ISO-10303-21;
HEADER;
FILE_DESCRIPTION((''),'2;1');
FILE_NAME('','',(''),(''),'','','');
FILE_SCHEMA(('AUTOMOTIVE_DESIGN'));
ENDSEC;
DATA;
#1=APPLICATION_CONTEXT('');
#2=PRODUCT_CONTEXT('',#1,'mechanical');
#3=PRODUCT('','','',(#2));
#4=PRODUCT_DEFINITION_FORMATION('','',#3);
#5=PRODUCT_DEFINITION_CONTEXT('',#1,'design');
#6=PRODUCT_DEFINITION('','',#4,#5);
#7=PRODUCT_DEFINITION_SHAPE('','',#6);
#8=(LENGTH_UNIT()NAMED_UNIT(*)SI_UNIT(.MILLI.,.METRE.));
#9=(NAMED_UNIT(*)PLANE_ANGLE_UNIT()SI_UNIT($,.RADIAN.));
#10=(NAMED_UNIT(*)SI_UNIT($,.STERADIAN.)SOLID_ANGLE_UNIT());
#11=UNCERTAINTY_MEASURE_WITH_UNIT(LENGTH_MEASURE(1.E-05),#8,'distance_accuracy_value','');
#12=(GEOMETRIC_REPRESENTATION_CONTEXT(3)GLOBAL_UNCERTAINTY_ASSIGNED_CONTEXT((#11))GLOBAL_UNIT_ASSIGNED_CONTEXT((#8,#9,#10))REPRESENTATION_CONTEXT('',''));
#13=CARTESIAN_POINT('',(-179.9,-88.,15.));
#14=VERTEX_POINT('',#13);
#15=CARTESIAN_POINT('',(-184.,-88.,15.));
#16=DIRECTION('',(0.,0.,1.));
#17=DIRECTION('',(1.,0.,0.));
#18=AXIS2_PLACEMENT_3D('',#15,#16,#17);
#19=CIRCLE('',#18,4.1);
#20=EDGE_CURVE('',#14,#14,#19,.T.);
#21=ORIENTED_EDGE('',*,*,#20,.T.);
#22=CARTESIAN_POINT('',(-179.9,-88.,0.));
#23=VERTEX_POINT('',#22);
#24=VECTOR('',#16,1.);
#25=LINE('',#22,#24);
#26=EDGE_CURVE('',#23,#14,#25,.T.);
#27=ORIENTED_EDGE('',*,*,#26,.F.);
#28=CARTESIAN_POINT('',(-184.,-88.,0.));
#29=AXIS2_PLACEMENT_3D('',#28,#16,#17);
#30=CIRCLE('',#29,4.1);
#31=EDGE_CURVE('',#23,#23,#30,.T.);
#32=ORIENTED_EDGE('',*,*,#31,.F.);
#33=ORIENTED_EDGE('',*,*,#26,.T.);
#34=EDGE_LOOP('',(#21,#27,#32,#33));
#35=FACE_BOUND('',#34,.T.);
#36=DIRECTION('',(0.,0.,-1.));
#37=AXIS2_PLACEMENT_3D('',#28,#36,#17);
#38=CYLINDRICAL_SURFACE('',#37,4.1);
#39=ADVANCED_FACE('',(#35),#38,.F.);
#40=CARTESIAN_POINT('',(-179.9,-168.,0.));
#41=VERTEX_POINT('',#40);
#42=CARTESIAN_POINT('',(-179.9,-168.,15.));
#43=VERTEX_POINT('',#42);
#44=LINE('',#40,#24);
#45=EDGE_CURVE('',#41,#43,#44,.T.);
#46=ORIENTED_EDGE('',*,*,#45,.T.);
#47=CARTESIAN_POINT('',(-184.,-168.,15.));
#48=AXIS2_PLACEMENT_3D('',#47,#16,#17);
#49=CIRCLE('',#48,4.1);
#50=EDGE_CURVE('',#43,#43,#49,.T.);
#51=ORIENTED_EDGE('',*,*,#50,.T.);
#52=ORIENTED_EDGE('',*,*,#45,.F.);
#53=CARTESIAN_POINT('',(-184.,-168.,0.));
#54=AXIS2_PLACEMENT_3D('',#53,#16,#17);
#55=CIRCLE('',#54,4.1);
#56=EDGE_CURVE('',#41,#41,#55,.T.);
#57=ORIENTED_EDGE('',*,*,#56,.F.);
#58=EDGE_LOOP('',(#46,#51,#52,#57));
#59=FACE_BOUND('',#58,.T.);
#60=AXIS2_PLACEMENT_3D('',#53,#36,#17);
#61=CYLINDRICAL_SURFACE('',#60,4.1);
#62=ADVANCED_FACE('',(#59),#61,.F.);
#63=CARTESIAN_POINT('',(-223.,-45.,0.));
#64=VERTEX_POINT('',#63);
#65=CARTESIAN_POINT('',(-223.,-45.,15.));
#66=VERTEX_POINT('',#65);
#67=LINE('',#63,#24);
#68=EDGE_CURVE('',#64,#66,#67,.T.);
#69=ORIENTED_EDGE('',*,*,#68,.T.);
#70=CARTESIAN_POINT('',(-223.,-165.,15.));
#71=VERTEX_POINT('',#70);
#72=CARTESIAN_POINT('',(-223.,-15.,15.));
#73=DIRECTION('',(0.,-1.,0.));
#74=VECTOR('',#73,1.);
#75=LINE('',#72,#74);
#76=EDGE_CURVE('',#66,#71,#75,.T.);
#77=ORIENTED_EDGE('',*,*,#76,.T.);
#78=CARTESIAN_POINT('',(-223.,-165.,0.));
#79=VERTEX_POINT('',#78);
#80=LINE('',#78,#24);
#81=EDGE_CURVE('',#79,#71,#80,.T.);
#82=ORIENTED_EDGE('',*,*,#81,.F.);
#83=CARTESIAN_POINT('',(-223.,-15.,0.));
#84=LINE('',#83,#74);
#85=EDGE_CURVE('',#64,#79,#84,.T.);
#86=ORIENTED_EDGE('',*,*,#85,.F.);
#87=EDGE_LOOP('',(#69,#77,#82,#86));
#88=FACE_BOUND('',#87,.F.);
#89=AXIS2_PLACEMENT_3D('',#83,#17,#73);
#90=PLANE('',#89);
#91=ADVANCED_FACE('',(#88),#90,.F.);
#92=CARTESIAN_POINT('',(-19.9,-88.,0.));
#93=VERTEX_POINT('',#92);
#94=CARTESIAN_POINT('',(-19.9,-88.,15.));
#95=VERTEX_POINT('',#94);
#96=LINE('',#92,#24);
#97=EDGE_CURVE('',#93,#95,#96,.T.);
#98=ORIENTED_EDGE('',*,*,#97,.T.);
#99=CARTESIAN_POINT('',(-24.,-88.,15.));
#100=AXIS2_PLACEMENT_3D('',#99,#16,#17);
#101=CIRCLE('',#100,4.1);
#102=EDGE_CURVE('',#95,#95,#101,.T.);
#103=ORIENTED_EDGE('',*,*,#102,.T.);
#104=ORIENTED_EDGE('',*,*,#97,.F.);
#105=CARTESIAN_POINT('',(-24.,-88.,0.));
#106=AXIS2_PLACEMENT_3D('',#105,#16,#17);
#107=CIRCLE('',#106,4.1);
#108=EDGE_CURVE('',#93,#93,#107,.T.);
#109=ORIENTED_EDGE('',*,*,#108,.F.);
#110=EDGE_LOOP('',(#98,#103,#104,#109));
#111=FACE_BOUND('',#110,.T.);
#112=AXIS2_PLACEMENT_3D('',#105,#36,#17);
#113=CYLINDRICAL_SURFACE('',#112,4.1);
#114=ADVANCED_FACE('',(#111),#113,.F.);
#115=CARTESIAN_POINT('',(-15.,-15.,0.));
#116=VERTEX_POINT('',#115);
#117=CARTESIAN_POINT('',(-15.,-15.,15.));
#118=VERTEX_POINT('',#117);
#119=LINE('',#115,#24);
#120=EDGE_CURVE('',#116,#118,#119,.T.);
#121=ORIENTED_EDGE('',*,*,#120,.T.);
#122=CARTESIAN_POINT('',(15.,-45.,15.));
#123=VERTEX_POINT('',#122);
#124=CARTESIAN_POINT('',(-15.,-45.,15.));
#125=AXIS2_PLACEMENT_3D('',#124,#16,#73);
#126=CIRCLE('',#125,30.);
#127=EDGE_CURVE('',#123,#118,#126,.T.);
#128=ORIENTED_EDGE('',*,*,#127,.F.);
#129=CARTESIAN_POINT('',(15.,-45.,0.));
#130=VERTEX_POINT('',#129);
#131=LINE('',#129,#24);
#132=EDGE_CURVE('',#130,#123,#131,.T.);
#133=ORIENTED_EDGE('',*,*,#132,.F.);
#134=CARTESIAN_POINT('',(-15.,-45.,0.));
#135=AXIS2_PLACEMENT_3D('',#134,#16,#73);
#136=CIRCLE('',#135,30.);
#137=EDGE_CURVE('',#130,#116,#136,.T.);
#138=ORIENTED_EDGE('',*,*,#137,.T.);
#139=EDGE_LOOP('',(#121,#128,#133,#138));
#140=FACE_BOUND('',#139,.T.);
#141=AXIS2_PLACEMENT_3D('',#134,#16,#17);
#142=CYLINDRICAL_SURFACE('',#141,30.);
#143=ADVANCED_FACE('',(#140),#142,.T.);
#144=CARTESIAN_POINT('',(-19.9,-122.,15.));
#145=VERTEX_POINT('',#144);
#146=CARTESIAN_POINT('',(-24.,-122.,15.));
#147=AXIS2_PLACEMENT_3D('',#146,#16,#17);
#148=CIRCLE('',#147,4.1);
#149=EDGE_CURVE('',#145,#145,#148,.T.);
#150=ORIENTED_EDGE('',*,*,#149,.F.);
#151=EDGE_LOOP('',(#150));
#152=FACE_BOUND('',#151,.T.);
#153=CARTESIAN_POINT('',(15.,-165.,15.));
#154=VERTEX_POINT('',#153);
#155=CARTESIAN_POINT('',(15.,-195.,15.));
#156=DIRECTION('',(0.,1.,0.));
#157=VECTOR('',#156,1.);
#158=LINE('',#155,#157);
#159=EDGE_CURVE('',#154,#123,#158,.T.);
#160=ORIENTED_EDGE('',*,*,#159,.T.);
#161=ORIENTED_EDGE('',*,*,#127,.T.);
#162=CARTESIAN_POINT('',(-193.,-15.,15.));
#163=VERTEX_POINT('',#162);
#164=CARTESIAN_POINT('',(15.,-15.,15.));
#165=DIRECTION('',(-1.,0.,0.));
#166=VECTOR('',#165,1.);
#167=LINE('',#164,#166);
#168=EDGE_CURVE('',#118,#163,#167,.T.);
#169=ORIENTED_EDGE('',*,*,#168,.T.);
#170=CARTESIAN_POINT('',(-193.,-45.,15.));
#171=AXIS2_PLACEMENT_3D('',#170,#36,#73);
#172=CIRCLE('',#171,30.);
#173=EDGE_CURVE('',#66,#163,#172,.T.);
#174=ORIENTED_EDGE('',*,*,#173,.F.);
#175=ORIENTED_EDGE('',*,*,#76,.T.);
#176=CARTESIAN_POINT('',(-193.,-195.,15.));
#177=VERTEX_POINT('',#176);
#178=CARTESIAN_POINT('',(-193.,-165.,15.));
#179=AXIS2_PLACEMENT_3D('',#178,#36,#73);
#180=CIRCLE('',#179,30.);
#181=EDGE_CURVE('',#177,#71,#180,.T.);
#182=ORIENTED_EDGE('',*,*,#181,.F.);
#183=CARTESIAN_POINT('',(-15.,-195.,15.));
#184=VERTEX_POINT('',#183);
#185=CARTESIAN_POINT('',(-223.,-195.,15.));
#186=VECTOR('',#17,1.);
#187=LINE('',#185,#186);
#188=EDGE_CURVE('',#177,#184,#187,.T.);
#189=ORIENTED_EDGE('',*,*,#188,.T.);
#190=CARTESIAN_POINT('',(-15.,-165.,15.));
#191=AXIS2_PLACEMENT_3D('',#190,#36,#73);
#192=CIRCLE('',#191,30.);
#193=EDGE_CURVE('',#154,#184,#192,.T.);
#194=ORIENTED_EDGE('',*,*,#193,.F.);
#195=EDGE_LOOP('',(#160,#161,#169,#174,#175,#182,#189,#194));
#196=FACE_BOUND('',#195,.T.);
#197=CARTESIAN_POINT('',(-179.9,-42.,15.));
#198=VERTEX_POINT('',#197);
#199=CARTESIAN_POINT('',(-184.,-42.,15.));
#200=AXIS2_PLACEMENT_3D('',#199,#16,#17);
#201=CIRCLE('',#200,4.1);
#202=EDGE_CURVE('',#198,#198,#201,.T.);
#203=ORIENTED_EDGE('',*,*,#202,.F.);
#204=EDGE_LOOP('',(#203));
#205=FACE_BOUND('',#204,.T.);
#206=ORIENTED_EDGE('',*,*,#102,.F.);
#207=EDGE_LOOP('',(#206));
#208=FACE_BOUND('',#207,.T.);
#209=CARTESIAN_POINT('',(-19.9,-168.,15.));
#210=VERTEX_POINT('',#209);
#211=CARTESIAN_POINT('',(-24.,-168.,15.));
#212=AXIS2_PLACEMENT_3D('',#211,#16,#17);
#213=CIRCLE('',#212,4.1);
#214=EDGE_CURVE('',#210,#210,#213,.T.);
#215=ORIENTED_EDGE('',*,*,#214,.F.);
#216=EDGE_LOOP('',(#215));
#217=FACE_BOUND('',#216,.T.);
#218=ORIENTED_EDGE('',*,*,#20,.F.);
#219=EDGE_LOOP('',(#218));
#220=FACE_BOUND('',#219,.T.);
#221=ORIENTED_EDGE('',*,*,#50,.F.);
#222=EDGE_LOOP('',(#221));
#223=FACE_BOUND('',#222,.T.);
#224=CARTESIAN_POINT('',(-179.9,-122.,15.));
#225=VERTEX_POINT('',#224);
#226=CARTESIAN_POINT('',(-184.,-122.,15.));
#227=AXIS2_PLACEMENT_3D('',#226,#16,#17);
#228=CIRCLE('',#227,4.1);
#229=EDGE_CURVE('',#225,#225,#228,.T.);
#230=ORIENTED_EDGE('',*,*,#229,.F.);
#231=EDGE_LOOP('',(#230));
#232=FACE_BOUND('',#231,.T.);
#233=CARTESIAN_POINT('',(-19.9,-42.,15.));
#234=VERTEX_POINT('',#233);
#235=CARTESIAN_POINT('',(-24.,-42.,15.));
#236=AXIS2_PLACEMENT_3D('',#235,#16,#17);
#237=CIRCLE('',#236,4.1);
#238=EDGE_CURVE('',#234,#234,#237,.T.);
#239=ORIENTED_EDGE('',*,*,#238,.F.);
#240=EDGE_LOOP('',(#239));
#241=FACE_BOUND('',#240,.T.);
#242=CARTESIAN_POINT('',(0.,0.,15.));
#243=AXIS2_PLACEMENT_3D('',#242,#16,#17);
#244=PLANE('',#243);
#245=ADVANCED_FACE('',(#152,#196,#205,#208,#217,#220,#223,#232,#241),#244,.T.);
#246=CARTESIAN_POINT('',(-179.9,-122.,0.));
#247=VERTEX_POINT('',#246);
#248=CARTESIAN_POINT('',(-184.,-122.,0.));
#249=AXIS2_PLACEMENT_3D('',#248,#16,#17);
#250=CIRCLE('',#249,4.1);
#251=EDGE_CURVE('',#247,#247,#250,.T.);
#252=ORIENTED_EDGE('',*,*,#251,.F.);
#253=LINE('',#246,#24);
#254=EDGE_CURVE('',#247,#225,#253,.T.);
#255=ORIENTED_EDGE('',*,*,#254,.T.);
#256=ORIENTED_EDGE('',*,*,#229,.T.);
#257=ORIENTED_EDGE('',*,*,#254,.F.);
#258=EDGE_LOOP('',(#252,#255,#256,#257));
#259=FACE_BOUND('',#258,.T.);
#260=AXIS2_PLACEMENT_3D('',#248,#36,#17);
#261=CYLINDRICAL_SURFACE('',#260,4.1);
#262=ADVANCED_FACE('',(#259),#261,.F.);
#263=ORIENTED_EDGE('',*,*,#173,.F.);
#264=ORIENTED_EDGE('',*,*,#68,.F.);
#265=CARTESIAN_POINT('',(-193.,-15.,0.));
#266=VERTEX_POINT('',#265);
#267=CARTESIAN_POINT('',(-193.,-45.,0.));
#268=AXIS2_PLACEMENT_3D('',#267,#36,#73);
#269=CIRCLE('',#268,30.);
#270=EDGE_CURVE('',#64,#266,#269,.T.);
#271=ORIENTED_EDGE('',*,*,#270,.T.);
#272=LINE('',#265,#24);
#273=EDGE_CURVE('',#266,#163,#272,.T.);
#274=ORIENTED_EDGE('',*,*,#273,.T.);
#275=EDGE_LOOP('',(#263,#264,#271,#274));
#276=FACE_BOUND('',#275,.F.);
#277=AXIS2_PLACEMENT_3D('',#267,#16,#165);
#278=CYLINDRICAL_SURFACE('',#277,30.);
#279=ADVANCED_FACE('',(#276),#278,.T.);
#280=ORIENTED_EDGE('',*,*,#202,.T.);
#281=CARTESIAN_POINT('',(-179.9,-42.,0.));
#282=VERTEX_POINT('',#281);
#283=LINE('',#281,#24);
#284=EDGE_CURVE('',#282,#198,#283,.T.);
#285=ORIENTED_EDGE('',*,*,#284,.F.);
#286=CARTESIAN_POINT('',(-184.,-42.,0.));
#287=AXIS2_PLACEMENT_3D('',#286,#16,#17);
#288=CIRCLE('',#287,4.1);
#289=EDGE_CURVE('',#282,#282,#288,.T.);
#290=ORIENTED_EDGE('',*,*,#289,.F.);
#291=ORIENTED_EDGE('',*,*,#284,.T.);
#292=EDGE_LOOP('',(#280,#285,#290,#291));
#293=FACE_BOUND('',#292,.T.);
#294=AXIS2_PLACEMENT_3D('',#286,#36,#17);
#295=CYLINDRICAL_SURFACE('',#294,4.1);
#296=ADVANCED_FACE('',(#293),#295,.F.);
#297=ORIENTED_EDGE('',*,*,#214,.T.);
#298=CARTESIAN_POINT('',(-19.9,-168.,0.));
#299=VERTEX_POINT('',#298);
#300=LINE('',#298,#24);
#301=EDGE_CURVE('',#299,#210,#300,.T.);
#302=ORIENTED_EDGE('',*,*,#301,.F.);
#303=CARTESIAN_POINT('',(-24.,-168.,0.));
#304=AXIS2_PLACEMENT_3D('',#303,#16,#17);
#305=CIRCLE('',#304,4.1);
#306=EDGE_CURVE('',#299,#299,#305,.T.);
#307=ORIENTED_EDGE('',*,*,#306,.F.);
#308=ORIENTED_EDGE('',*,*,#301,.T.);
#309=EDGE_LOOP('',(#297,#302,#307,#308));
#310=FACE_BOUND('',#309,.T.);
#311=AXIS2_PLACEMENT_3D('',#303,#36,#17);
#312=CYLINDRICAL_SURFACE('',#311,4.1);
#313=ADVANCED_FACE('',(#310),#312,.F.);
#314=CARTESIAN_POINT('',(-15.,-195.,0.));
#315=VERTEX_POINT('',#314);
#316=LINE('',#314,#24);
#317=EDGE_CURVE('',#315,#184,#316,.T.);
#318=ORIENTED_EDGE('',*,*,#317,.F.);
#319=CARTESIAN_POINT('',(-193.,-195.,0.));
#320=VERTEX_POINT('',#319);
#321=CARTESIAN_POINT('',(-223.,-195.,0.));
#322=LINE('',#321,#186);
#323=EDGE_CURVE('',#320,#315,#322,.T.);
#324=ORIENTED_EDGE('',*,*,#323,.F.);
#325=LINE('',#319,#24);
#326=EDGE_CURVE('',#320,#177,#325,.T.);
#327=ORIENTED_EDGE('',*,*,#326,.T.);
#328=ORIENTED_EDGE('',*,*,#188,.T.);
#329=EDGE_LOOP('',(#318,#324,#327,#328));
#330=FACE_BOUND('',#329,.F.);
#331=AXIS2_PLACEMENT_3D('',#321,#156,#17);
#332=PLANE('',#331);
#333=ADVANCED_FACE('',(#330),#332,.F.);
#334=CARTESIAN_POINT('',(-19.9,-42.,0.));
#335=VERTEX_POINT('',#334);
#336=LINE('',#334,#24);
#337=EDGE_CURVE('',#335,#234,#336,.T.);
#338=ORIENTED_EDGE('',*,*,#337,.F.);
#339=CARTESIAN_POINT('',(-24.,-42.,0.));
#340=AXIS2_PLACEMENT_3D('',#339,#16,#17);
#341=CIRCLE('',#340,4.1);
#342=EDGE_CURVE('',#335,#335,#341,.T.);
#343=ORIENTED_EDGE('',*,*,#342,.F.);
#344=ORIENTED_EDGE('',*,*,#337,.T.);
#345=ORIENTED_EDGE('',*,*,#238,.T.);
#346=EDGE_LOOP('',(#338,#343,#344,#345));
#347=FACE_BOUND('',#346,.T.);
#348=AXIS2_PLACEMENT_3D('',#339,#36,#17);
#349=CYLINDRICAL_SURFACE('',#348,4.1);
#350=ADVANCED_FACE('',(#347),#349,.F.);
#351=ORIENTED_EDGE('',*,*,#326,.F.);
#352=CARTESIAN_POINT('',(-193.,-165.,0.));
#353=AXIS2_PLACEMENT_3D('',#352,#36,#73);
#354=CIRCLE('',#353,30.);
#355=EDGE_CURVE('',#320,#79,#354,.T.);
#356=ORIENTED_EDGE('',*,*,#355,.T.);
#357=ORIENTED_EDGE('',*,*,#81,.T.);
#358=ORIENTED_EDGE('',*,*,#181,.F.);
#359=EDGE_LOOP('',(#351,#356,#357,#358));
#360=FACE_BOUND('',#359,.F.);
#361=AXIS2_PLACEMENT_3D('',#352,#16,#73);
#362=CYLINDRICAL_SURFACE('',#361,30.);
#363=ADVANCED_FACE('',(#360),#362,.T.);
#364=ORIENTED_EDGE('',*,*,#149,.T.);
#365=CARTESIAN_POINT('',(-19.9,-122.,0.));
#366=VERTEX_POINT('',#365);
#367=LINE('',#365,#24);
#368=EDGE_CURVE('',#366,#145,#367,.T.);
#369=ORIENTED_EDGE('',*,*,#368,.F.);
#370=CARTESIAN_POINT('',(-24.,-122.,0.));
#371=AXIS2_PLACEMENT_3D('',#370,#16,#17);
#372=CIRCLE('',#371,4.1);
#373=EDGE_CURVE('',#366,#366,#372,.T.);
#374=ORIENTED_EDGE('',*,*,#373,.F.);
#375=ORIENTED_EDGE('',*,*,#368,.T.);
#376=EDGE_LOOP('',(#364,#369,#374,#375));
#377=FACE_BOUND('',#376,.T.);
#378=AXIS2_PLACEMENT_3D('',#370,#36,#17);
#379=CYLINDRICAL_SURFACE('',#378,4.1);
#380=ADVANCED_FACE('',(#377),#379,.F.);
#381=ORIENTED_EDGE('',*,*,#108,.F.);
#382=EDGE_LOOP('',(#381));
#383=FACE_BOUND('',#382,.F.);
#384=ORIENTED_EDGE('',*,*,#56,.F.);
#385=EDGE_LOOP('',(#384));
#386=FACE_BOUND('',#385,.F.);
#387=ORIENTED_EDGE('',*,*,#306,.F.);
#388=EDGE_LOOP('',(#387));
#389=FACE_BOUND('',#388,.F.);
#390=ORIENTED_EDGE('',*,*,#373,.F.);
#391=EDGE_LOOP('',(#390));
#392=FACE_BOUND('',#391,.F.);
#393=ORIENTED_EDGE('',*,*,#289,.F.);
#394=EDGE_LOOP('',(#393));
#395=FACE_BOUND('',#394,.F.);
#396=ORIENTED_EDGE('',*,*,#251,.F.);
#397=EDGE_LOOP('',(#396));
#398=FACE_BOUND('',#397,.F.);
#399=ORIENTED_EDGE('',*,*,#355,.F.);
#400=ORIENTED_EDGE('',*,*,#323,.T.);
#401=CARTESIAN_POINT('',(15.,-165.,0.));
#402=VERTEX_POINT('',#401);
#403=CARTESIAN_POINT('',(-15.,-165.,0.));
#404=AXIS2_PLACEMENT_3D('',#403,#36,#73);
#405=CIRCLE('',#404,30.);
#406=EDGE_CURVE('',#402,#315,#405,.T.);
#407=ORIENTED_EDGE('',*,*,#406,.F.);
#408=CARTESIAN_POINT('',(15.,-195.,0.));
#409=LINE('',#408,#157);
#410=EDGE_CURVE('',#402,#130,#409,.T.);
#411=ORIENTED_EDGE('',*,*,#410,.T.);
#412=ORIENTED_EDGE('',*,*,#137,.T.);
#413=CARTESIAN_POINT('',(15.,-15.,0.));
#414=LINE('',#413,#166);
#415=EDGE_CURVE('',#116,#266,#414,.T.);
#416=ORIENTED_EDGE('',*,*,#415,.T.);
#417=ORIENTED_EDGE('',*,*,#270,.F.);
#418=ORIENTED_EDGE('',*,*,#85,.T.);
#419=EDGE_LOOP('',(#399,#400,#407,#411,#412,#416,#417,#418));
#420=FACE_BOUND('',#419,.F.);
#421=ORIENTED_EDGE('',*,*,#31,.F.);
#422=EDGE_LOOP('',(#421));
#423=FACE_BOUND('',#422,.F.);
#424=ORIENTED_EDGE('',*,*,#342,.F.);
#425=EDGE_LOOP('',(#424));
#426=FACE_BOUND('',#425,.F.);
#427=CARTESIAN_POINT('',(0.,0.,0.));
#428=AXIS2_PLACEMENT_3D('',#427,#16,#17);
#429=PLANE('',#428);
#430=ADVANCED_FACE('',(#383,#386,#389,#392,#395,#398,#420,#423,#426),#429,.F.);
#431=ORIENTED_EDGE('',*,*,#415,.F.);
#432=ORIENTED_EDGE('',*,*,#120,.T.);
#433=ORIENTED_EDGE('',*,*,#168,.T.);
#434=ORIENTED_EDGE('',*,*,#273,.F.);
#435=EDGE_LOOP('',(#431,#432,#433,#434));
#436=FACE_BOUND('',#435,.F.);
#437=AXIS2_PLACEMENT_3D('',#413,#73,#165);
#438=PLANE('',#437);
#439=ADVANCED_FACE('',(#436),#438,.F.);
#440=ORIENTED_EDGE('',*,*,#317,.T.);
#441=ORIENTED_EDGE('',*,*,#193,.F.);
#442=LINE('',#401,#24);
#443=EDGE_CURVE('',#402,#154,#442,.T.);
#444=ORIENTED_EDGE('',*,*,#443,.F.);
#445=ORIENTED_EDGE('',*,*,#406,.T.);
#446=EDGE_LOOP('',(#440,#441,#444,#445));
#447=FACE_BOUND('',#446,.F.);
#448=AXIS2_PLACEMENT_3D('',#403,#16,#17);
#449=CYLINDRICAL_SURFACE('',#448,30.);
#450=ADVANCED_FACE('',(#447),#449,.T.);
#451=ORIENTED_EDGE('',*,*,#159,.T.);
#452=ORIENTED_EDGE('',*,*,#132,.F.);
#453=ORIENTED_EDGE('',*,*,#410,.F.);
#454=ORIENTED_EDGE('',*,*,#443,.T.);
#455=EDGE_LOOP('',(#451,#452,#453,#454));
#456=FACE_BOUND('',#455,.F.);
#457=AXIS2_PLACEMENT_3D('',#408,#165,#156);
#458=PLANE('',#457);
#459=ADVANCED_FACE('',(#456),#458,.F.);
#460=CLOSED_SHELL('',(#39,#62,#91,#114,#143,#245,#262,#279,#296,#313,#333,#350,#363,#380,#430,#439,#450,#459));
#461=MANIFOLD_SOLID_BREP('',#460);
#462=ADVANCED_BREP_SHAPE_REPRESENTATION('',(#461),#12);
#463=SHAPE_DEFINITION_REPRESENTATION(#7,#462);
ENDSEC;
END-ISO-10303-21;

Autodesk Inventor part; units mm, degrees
ref_plane "YZ Plane" through (0, 0, 0) normal (1, 0, 0) x (0, 1, 0)
ref_plane "XZ Plane" through (0, 0, 0) normal (0, 1, 0) x (-1, 0, 0)
ref_plane "XY Plane" through (0, 0, 0) normal (0, 0, 1) x (1, 0, 0)
sketch "Sketch1" plane through (0, 0, 0) normal (0, 0, 1) x (1, 0, 0)
  line L0 (0, -180) -> (0, -156) projected
  line L1 (0, -180) -> (-50.3388, -180) projected
  line L2 (-208, -30) -> (-157.6612, -30) projected
  line L3 (-208, -30) -> (-208, -54) projected
  line L4 (-208, -180) -> (-208, -156) projected
  line L5 (-157.6612, -180) -> (-208, -180) projected
  line L6 (15, -15) -> (-223, -15)
  line L7 (-223, -15) -> (-223, -195)
  line L8 (-223, -195) -> (15, -195)
  line L9 (15, -195) -> (15, -15)
  circle A0 centre (-24, -42) radius 4.1 projected
  circle A1 centre (-24, -88) radius 4.1 projected
  circle A2 centre (-24, -122) radius 4.1 projected
  circle A3 centre (-24, -168) radius 4.1 projected
  circle A4 centre (-184, -168) radius 4.1 projected
  circle A5 centre (-184, -122) radius 4.1 projected
  circle A6 centre (-184, -88) radius 4.1 projected
  circle A7 centre (-184, -42) radius 4.1 projected
  line L10 (0, -30) -> (0, -54) projected
  line L11 (-50.3388, -30) -> (0, -30) projected
  dimension "d0" = 15
  dimension "d2" = 15
  dimension "d3" = 15
extrude "Extrusion1" add sketch "Sketch1" along normal blind 15
fillet "Fillet1" radius 30 4 edges at (15, -15, 7.5) (-223, -15, 7.5) (-223, -195, 7.5) (15, -195, 7.5)
sketch "Sketch2" plane through (0, 0, 15) normal (0, 0, 1) x (1, 0, 0)
  line L0 (-223, -45) -> (-223, -165) construction
  line L1 (-223, -105) -> (15, -105) construction
  line L2 (15, -165) -> (15, -45) construction
  line L3 (-193, -195) -> (-15, -195) construction
  line L4 (-104, -195) -> (-104, -15) construction
  line L5 (-15, -15) -> (-193, -15) construction
  point P0 (0, 0)
properties part number "front_plate_Z"
